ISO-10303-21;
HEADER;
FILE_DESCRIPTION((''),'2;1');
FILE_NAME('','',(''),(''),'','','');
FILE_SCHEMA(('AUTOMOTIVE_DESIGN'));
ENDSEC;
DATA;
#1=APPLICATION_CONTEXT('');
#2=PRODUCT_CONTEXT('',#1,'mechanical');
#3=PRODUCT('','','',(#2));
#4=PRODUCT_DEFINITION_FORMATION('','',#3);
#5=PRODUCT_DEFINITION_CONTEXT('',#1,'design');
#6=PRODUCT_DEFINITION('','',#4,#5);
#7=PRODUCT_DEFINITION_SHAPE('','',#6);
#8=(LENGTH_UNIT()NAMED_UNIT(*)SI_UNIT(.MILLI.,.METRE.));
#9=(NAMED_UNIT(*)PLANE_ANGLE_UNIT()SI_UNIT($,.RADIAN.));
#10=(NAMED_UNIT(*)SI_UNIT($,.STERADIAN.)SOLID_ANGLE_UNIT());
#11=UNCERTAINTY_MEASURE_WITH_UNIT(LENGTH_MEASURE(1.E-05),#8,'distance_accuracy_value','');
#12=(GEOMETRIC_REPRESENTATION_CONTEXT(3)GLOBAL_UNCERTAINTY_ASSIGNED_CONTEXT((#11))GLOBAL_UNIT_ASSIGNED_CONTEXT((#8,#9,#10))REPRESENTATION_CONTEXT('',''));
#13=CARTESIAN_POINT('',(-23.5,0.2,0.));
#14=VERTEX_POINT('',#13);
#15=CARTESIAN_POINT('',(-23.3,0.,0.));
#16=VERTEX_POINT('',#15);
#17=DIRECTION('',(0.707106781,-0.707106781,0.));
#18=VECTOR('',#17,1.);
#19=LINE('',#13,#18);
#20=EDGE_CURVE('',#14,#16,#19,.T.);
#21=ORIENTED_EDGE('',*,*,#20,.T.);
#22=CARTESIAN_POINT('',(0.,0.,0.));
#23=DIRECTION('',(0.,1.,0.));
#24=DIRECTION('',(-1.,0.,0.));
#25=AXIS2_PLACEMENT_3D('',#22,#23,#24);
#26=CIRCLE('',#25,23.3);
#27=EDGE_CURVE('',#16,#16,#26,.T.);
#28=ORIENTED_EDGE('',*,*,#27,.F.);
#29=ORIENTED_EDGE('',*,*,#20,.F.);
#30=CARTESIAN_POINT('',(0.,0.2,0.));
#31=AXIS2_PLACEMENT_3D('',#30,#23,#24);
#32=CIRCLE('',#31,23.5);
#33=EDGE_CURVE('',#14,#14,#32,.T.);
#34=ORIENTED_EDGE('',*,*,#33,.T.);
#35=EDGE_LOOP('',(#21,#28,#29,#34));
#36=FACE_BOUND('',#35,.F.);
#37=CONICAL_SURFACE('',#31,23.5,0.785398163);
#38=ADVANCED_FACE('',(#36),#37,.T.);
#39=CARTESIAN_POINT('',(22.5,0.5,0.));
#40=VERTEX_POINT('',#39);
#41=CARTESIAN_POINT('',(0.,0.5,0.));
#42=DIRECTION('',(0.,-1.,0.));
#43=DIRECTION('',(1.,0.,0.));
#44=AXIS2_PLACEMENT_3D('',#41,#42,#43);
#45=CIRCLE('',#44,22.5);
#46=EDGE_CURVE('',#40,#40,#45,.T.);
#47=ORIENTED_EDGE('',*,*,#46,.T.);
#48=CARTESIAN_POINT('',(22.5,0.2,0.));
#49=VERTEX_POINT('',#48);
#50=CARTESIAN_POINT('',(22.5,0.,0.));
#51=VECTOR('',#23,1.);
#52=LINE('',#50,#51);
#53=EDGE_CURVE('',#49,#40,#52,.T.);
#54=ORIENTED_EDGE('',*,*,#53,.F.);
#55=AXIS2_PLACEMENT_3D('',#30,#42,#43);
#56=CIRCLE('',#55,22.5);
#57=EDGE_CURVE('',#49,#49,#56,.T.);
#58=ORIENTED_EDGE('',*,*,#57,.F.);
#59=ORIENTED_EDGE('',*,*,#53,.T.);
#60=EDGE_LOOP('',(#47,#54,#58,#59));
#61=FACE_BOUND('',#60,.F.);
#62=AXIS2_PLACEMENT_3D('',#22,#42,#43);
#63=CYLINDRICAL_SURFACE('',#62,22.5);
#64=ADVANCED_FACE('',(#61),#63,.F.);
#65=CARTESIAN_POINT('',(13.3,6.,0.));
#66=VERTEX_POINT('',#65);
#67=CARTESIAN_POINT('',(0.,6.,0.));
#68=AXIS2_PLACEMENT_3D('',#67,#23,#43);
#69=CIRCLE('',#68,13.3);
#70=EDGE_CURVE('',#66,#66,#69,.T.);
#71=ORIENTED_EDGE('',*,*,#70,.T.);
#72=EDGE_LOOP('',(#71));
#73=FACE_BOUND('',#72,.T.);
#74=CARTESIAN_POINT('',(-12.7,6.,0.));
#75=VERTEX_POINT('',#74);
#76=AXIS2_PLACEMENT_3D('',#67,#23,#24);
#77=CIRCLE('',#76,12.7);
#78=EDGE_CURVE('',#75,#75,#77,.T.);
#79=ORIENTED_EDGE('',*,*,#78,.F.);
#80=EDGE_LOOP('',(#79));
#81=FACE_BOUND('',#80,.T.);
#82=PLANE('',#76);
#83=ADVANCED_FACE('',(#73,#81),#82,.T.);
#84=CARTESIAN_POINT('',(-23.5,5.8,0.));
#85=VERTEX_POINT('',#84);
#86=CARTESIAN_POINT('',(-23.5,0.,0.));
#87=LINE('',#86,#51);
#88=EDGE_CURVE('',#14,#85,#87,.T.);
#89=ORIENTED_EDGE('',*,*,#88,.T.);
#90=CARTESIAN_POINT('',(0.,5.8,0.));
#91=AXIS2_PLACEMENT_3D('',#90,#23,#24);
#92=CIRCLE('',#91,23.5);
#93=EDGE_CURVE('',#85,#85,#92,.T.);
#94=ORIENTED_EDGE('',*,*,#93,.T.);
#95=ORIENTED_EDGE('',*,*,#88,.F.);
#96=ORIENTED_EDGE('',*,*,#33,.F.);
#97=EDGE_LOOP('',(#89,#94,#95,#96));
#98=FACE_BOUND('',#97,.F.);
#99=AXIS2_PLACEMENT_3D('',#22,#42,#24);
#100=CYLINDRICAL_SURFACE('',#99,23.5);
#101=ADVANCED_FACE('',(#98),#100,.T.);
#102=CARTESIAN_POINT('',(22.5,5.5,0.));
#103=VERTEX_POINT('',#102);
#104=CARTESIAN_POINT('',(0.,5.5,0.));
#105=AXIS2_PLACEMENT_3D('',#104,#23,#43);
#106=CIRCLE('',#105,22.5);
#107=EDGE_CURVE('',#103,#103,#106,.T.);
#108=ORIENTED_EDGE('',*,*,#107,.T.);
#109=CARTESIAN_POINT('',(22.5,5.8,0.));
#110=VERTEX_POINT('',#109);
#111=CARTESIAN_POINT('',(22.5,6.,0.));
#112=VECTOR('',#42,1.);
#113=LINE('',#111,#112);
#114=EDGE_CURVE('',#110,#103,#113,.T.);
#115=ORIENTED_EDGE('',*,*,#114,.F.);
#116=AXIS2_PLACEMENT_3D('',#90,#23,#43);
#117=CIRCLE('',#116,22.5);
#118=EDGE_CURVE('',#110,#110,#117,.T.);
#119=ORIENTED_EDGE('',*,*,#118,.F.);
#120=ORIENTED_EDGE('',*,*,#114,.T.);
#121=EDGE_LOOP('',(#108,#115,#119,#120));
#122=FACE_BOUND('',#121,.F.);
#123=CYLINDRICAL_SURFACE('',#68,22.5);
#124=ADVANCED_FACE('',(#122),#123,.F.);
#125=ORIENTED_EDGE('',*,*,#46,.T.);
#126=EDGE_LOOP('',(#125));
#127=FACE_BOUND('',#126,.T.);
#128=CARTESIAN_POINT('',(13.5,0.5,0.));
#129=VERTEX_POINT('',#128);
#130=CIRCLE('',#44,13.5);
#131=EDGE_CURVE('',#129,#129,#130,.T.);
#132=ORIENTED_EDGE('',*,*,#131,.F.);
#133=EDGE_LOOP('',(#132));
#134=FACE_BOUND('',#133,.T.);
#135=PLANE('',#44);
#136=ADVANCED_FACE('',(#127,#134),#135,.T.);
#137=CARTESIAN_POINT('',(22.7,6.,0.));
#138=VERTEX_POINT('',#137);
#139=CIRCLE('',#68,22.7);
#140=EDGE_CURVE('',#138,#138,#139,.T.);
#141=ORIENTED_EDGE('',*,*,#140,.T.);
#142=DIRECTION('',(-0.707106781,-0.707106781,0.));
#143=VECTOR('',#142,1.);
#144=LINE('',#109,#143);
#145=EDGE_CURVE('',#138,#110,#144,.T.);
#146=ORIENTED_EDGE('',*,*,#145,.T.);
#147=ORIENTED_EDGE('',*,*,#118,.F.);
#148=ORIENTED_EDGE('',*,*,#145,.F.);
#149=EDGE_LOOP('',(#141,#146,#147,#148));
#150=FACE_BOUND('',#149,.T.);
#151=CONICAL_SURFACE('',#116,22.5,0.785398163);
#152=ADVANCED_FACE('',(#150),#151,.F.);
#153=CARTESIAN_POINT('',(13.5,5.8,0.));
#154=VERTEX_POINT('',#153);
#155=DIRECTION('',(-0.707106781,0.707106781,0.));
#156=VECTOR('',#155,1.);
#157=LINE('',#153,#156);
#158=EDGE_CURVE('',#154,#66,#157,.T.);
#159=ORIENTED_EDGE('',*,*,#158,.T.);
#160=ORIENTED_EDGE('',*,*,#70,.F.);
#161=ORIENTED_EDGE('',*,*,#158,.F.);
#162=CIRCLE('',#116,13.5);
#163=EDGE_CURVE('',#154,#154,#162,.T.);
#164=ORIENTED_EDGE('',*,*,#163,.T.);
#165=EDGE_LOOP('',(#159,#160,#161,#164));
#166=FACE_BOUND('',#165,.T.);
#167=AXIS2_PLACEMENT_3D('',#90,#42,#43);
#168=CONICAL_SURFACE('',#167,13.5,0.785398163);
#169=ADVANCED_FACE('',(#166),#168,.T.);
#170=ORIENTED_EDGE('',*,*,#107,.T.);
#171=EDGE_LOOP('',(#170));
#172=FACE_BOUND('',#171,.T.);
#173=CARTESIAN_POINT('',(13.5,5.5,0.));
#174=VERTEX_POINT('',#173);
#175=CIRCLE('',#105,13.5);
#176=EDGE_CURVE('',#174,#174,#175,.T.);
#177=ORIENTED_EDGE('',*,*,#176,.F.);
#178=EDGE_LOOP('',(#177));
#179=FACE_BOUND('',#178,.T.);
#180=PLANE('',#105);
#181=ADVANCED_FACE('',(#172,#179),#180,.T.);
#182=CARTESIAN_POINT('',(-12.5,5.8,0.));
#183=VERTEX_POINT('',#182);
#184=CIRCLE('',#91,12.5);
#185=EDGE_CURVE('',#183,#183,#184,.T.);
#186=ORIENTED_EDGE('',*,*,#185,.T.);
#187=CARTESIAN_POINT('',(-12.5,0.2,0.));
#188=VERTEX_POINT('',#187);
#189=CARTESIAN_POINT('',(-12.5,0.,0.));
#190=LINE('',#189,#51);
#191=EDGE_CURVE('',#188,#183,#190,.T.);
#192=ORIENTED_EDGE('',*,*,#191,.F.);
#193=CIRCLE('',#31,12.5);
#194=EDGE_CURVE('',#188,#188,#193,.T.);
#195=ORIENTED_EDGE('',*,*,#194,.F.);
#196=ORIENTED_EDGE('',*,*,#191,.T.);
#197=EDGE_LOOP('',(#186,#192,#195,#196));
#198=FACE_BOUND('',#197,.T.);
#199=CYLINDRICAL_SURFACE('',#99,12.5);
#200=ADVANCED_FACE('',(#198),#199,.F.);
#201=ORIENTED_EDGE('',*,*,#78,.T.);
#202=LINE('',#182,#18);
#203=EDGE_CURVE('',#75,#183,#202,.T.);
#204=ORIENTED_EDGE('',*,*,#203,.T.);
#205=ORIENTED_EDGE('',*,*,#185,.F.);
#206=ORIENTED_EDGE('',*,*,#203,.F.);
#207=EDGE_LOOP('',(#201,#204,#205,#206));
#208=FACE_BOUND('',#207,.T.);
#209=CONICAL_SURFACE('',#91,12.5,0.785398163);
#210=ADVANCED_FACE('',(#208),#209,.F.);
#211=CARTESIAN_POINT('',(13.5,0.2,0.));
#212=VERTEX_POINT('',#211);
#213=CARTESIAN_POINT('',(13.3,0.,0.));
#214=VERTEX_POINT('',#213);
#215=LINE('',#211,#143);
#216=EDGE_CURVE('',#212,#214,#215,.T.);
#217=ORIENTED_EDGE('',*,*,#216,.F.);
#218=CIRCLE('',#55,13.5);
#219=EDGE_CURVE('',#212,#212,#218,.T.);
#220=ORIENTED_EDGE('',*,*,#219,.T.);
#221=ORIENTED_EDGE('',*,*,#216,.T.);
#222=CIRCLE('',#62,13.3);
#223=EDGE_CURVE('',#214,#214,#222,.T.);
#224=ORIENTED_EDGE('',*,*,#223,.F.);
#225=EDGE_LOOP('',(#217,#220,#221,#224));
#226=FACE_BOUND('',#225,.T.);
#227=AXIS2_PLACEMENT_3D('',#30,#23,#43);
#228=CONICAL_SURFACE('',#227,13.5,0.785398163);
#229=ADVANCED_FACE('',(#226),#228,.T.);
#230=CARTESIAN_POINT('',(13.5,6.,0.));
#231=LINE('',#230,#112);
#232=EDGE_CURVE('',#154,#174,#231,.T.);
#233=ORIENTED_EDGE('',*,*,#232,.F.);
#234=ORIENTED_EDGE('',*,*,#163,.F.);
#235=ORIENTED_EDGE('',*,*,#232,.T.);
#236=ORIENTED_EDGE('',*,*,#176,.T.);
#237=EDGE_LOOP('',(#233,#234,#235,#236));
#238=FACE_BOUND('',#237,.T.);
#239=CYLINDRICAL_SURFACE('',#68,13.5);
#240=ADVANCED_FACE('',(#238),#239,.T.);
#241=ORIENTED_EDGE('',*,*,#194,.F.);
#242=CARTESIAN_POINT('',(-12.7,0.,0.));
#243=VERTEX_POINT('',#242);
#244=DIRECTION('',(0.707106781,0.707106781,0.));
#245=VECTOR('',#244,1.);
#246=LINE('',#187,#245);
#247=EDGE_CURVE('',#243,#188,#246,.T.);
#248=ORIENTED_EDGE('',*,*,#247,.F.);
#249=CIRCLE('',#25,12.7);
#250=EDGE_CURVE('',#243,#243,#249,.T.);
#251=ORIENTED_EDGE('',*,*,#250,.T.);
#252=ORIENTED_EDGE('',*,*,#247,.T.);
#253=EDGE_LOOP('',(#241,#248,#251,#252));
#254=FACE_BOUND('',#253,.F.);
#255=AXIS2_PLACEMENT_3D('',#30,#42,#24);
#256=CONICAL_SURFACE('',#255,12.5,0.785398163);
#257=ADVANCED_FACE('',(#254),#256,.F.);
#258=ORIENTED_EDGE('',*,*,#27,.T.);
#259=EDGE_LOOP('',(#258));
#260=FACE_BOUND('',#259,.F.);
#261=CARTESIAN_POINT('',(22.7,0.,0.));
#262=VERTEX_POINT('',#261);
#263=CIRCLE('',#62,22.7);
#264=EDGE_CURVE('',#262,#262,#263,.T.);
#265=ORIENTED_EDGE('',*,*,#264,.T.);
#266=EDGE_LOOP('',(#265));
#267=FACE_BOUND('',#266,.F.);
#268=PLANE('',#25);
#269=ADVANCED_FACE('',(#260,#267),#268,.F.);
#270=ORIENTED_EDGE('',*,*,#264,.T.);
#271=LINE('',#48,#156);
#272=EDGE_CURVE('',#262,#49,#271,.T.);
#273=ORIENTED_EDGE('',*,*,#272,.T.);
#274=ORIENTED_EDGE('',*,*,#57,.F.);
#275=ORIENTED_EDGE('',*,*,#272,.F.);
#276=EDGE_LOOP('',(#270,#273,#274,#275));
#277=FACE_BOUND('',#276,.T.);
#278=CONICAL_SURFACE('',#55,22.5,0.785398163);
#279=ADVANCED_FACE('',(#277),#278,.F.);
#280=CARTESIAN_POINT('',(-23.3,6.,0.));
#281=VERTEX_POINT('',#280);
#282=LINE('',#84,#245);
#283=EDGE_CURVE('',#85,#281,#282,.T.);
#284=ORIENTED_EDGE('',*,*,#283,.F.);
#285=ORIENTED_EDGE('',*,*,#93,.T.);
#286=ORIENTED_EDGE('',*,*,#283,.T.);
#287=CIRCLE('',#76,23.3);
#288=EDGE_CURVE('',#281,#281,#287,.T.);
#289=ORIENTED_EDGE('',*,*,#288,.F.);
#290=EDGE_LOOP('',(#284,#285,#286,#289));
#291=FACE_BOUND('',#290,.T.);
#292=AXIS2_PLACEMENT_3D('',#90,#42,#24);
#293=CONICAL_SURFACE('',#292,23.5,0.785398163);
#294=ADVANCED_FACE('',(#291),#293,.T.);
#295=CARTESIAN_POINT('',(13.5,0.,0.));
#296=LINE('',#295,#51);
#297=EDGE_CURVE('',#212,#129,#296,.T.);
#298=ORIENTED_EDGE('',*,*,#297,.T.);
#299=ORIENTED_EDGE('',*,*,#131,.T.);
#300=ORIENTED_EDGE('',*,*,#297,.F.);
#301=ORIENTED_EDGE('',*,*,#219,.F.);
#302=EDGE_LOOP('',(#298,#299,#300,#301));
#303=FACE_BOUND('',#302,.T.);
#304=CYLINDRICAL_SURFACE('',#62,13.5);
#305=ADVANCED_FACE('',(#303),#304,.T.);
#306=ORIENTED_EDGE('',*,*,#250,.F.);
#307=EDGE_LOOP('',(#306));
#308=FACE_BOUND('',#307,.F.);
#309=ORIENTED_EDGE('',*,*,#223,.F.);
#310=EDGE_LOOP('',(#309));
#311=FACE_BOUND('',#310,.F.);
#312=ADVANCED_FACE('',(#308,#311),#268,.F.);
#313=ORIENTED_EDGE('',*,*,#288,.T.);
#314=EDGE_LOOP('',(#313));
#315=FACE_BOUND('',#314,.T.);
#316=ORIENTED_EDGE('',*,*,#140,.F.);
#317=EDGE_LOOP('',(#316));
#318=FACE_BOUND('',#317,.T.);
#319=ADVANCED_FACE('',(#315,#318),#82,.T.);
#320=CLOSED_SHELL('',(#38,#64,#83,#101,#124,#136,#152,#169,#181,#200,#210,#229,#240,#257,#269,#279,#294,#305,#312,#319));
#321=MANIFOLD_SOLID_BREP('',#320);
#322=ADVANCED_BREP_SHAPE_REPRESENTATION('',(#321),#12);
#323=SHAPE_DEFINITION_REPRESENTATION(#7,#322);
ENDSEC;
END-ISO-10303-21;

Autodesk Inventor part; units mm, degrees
ref_plane "YZ Plane" through (0, 0, 0) normal (1, 0, 0) x (0, 1, 0)
ref_plane "XZ Plane" through (0, 0, 0) normal (0, 1, 0) x (-1, 0, 0)
ref_plane "XY Plane" through (0, 0, 0) normal (0, 0, 1) x (1, 0, 0)
sketch "Эскиз1" plane through (0, 0, 0) normal (0, 1, 0) x (-1, 0, 0)
  circle A0 centre (0, 0) radius 23.5
  circle A1 centre (0, 0) radius 12.5
  dimension "d0" = 47
  dimension "d1" = 25
extrude "Выдавливание1" add sketch "Эскиз1" along normal blind 6
sketch "Эскиз2" plane through (0, 6, 0) normal (0, 1, 0) x (1, 0, 0)
  circle A0 centre (0, 0) radius 13.5
  circle A1 centre (0, 0) radius 22.5
  circle A2 centre (0, 0) radius 23.5 projected
  circle A3 centre (0, 0) radius 12.5 projected
  dimension "d4" = 1
  dimension "d5" = 1
extrude "Выдавливание2" cut sketch "Эскиз2" against normal blind 0.5 contours A1
sketch "Эскиз3" plane through (0, 0, 0) normal (0, -1, 0) x (1, 0, 0)
  circle A0 centre (0, 0) radius 13.5 projected
  circle A1 centre (0, 0) radius 22.5 projected
extrude "Выдавливание3" cut sketch "Эскиз3" against normal blind 0.5
chamfer "Фаска1" distance 0.2 angle 45 8 edges at (-13.5, 0, 0) (12.5, 0, 0) (-22.5, 0, 0) (23.5, 0, 0) (23.5, 6, 0) (-22.5, 6, 0) (-13.5, 6, 0) (12.5, 6, 0)
properties part number "Подшипник 626Z" material "Титан"
